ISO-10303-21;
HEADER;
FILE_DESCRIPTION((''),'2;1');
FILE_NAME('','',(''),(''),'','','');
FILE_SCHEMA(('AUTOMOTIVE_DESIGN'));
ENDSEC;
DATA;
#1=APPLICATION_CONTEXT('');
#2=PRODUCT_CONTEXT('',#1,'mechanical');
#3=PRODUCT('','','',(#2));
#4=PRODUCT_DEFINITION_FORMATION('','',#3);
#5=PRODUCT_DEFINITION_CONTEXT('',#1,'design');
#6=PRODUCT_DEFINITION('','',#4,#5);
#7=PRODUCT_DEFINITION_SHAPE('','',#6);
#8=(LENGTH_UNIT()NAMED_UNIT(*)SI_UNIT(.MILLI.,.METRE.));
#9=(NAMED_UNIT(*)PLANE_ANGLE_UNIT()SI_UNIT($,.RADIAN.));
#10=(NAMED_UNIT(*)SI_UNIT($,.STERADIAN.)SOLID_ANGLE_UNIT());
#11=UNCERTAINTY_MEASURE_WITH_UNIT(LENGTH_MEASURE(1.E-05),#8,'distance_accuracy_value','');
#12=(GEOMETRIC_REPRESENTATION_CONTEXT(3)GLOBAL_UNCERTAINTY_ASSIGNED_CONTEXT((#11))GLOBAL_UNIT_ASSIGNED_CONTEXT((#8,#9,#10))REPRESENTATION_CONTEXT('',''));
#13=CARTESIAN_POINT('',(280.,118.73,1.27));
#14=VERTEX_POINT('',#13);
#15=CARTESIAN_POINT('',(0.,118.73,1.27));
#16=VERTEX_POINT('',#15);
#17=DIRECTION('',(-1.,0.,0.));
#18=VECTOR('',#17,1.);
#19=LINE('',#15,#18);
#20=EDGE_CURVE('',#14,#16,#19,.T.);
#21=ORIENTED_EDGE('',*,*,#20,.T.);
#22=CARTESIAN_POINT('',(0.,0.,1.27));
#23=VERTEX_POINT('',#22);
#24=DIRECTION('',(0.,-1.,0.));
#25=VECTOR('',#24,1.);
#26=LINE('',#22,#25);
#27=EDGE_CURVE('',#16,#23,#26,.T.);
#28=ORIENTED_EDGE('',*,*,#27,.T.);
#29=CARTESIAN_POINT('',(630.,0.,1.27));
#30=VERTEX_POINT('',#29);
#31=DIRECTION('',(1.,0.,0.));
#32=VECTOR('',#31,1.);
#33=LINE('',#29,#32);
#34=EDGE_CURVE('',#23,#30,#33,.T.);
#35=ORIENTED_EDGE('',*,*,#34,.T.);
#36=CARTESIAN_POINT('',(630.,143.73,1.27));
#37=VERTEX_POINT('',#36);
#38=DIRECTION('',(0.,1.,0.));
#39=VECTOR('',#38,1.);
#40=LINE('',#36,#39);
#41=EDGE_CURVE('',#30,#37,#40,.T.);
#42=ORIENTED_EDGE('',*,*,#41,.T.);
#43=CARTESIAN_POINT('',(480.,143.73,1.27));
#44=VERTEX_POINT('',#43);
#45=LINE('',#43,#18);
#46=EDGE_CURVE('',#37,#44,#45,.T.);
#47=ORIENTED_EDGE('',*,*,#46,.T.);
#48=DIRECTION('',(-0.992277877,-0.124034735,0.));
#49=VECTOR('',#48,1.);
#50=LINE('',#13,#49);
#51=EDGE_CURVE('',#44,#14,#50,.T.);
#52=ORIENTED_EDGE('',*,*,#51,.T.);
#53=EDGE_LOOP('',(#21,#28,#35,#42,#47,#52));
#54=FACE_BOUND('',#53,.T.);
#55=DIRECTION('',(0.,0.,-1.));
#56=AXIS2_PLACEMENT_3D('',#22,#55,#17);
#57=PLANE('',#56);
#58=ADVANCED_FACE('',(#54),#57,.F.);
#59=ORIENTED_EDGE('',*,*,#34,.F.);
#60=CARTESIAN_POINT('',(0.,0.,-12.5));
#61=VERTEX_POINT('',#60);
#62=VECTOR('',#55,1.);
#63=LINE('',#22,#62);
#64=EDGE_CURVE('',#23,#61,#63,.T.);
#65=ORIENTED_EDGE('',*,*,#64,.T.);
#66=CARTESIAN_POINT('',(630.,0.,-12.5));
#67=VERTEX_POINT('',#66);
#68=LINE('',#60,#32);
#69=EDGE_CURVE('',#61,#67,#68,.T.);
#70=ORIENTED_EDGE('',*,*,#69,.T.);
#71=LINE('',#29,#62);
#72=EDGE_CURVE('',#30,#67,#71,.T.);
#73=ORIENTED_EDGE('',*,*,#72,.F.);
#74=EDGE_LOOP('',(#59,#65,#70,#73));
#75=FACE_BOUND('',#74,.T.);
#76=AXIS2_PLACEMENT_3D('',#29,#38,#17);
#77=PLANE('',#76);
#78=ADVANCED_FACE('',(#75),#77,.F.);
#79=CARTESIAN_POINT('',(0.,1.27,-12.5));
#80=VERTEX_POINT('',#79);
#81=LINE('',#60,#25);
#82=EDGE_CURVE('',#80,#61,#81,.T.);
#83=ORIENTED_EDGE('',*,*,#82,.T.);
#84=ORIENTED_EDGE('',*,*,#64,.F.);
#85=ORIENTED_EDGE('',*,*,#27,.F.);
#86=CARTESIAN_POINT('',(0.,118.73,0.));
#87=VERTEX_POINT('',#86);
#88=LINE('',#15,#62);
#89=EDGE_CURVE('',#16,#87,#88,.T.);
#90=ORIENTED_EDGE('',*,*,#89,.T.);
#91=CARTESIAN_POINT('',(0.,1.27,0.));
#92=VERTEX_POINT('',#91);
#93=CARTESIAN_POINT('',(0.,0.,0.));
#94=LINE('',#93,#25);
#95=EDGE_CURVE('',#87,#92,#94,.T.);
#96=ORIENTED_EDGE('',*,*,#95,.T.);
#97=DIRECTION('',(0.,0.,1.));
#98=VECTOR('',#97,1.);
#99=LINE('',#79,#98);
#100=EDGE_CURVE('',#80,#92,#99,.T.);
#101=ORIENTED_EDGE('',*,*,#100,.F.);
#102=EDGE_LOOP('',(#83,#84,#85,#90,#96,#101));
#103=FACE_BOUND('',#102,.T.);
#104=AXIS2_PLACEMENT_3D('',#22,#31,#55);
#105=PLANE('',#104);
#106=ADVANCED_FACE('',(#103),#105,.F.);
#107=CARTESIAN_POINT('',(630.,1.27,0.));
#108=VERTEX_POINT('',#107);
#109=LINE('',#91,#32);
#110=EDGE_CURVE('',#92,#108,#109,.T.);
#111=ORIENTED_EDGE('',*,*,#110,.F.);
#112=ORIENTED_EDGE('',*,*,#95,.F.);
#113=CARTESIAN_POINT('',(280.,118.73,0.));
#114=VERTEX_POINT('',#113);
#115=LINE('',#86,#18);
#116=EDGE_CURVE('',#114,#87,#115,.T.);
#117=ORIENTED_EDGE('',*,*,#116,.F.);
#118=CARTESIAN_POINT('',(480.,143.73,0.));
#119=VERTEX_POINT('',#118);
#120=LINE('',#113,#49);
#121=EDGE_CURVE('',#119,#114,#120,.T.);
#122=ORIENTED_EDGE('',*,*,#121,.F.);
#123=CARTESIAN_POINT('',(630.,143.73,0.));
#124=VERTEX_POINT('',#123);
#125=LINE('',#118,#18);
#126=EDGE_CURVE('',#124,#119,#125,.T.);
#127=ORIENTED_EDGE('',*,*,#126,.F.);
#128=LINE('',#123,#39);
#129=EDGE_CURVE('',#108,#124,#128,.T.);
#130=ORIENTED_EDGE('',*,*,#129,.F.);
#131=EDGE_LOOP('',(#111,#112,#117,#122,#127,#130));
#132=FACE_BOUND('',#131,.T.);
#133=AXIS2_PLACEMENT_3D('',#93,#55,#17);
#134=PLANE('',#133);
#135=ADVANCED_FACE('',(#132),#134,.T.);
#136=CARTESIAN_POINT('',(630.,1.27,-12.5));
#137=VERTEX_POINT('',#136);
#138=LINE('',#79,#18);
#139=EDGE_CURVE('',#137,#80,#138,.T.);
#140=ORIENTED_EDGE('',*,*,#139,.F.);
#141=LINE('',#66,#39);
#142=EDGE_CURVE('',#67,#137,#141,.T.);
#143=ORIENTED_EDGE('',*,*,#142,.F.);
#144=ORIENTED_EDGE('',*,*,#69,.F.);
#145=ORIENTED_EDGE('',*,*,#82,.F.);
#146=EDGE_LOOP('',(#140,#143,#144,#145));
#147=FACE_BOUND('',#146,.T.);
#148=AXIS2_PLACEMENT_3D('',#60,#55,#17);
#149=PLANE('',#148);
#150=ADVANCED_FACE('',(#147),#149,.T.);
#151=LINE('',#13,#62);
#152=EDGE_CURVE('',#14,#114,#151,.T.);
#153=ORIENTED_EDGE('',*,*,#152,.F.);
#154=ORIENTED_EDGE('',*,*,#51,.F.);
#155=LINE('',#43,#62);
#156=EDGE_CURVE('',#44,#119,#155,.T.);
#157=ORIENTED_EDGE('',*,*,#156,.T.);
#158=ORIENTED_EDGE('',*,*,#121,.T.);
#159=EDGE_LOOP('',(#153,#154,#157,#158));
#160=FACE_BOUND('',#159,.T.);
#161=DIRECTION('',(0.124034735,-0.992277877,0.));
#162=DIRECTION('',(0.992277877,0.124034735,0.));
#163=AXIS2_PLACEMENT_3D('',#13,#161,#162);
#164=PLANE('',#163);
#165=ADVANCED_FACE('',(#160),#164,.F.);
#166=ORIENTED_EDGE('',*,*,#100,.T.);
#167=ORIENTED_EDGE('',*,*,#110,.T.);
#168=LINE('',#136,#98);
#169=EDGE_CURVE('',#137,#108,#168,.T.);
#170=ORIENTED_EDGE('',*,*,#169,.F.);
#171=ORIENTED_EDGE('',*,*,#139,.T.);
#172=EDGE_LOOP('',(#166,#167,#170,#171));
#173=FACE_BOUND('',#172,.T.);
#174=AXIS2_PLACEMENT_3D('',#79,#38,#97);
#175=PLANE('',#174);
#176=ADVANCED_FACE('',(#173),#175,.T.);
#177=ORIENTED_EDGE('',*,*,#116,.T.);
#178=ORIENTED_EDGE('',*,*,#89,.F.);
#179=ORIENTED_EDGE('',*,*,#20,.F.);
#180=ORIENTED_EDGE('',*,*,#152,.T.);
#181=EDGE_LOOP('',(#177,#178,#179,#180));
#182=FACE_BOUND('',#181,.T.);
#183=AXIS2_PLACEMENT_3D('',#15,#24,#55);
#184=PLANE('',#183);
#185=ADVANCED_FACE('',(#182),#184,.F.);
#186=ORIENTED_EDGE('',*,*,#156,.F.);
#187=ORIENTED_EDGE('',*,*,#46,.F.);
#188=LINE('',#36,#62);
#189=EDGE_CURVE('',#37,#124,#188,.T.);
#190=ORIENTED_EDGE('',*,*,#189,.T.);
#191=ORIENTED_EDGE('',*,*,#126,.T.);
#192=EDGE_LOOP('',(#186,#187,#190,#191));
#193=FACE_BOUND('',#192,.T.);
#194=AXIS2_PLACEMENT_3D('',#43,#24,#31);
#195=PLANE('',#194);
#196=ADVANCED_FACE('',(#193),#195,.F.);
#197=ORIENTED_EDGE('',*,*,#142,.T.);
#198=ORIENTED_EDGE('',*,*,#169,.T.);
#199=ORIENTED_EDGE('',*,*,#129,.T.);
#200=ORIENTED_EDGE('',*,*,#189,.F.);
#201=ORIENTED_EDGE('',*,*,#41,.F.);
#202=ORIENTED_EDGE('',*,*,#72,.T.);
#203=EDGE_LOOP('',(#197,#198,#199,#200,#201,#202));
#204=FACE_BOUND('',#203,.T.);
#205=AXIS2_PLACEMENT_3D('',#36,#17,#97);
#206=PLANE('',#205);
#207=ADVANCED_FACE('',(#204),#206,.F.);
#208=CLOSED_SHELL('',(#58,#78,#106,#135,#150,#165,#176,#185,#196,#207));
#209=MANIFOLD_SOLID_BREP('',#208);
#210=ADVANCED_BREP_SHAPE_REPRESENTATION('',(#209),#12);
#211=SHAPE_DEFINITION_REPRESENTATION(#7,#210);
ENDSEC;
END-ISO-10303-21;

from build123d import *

# Parameters (mm, degrees)
BOSS_EXTRUDE1_DEPTH = 1.27
SKETCH2_W           = 630
SKETCH2_H           = 1.27
BOSS_EXTRUDE2_DEPTH = 13.77


with BuildPart() as part:
    # Sketch1 → Boss-Extrude1 (new body)
    with BuildSketch(Plane.XY):
        Polygon((0, 0), (0, 118.73), (280, 118.73), (480, 143.73), (630, 143.73), (630, 0), align=None)
    extrude(amount=BOSS_EXTRUDE1_DEPTH)

    # Sketch2 → Boss-Extrude2 (add)
    with BuildSketch(Plane.XY.offset(1.27)):
        with Locations((315, 0.635)):
            Rectangle(SKETCH2_W, SKETCH2_H)
    extrude(amount=-BOSS_EXTRUDE2_DEPTH)


solid = part.part
